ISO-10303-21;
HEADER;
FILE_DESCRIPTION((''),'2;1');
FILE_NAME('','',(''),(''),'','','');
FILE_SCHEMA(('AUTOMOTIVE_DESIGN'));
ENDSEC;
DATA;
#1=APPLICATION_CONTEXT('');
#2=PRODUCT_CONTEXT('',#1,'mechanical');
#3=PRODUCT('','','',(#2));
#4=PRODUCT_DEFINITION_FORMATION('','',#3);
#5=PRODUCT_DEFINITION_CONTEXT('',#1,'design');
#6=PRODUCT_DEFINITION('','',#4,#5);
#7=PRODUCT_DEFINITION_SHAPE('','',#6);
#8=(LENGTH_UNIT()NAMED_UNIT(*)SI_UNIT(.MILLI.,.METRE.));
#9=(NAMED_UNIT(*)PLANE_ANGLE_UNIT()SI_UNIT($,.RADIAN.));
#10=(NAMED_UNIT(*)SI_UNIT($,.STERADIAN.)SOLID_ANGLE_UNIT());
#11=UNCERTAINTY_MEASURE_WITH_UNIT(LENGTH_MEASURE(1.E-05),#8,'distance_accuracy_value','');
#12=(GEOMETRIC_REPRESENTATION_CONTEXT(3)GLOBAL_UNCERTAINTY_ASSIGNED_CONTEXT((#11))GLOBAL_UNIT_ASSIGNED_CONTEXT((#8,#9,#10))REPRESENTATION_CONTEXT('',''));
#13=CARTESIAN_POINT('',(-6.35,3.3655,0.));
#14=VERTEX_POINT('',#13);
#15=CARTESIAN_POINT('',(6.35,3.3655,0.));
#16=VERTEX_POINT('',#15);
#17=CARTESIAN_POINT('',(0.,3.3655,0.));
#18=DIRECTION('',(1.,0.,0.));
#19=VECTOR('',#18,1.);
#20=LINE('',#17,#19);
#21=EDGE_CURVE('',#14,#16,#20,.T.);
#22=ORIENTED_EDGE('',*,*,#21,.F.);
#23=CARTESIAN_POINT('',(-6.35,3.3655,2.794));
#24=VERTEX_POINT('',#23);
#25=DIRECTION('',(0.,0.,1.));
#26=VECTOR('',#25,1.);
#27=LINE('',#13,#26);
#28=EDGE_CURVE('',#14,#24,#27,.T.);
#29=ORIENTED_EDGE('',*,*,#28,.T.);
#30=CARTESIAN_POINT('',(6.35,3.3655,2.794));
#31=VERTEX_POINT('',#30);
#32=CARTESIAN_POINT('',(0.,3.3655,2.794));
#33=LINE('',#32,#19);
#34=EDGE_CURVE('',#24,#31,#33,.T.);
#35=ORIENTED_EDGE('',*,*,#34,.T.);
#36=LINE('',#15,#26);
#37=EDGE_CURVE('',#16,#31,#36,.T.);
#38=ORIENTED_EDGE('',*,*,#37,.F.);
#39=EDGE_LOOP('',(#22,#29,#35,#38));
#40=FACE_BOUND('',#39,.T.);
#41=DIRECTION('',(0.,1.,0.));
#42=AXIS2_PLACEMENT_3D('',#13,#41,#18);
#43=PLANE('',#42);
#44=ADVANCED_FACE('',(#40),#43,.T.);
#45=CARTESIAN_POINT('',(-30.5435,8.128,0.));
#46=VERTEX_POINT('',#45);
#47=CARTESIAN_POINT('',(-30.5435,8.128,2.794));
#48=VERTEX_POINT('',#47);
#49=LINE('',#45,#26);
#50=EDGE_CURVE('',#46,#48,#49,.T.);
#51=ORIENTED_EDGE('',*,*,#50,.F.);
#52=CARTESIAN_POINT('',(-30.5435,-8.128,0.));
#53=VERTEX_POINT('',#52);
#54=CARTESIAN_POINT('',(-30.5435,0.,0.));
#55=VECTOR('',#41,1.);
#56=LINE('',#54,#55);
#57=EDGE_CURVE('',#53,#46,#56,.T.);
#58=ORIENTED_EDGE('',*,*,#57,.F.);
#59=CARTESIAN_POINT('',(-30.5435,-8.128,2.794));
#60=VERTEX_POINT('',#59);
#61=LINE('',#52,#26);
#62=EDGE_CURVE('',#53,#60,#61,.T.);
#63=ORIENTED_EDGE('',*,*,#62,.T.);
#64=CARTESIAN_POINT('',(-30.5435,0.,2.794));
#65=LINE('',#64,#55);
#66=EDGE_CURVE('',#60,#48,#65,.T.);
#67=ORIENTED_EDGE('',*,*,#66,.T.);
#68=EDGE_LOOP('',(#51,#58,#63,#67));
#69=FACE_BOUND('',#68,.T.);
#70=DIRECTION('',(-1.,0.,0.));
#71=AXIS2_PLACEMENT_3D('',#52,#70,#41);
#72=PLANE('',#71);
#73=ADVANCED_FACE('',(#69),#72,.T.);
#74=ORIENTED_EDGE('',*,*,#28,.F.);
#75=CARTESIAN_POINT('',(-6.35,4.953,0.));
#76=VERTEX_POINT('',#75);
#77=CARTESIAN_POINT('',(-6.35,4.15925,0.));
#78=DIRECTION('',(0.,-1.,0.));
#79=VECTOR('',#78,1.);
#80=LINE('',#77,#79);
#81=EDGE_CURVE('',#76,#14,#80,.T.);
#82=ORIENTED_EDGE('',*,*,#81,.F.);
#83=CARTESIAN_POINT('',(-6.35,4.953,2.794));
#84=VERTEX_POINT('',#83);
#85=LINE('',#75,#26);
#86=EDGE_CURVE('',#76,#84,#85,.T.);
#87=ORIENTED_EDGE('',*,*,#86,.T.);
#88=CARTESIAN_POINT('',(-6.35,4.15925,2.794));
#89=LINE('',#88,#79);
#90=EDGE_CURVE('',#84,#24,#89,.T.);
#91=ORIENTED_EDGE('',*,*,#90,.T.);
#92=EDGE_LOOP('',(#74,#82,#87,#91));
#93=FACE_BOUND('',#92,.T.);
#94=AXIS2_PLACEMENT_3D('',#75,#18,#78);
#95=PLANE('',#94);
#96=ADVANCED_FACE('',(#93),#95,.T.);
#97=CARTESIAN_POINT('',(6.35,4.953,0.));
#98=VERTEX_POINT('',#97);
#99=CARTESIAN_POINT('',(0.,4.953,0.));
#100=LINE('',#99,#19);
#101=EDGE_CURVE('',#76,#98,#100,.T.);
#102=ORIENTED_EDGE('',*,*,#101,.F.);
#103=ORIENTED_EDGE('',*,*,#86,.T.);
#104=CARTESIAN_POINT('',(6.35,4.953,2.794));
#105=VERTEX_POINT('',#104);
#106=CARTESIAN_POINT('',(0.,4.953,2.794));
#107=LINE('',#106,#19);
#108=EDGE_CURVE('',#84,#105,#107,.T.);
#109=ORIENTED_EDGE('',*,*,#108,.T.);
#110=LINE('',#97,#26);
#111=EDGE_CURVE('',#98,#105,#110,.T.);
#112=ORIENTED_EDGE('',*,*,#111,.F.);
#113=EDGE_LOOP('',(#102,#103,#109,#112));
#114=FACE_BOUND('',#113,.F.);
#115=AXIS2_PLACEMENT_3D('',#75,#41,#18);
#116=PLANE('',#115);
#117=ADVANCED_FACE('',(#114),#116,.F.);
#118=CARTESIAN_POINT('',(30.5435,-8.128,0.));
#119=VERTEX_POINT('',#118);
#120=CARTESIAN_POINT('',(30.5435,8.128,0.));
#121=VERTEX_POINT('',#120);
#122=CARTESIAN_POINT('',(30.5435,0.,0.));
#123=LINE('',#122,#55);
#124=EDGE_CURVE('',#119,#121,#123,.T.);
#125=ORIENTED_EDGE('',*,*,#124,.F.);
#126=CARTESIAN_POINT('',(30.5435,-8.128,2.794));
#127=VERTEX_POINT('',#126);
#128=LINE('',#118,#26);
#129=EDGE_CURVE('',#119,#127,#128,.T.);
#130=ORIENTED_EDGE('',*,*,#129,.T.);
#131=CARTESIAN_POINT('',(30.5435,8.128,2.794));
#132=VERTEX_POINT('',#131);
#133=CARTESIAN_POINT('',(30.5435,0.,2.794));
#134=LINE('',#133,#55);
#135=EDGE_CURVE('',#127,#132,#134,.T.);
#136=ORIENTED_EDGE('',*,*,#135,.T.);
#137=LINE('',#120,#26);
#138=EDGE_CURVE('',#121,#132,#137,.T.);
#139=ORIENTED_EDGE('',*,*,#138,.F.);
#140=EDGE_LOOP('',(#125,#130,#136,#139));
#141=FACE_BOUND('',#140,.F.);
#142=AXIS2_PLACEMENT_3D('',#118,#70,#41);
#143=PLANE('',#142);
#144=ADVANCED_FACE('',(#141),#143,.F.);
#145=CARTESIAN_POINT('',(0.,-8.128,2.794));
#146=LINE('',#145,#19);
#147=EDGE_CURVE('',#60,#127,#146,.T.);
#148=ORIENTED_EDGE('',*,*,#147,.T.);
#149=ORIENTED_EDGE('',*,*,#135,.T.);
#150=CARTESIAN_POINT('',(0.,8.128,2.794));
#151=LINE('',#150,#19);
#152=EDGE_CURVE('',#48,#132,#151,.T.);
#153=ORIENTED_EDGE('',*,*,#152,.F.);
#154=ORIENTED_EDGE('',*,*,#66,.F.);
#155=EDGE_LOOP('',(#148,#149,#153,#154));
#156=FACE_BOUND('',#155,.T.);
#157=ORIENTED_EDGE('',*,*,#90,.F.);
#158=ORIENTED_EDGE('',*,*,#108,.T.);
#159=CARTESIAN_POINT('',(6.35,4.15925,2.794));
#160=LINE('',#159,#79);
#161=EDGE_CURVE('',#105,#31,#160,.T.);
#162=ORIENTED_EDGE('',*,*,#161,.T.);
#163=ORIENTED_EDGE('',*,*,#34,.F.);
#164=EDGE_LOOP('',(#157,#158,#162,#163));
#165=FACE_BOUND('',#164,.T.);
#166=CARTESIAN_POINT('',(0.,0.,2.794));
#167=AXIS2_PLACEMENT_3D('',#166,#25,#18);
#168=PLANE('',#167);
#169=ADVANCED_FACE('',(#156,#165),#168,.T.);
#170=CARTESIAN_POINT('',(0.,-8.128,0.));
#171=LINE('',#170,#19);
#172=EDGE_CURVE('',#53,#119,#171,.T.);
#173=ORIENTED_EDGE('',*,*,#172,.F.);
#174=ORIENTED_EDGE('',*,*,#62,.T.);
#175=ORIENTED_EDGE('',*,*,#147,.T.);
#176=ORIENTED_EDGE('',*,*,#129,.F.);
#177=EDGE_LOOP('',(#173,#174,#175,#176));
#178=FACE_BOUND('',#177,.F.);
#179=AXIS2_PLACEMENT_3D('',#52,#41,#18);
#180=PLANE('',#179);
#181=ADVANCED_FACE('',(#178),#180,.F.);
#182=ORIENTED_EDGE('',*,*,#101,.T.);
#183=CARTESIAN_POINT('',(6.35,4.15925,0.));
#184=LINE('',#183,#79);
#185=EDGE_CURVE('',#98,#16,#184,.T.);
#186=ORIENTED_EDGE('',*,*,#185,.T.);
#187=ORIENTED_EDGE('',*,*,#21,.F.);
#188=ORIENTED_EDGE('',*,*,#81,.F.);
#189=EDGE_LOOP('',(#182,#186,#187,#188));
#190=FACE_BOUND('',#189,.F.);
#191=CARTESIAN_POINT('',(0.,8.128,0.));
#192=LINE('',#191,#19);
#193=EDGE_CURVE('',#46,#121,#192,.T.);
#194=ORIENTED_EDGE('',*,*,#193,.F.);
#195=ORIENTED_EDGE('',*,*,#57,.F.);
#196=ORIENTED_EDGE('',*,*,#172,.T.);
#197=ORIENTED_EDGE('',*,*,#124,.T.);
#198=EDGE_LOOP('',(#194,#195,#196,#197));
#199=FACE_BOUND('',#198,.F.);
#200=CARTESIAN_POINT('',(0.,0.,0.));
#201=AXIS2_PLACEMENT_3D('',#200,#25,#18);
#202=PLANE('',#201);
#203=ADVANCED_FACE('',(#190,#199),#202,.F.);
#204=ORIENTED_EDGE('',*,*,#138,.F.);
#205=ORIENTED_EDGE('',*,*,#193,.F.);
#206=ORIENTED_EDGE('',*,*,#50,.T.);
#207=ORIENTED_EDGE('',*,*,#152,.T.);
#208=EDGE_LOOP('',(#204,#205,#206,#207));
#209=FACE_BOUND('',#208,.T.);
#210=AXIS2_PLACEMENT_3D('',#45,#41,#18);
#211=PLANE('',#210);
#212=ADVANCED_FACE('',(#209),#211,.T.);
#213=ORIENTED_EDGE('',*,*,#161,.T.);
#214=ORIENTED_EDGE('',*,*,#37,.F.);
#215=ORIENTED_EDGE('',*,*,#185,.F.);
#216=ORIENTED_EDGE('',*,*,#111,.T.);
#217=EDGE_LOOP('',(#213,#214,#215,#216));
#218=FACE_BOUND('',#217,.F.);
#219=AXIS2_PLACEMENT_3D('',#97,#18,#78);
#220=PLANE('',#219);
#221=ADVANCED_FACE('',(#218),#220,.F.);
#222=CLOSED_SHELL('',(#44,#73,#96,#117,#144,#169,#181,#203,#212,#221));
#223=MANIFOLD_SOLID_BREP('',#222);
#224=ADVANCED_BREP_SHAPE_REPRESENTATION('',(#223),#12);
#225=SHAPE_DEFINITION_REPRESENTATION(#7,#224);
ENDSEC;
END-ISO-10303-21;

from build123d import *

# Parameters (mm, degrees)
F0_W     = 61.087
F0_H     = 16.256
F1_DEPTH = 2.794
F2_W     = 12.7
F2_H     = 1.5875
F3_DEPTH = 2.794


with BuildPart() as f1:
    # F0 (on Top) → F1 (new body)
    with BuildSketch(Plane.XY):
        Rectangle(F0_W, F0_H)
    extrude(amount=F1_DEPTH)

    # F2 (on face) → F3 (cut, through all)
    with BuildSketch(Plane(origin=(0, 0, 0), x_dir=(1, 0, 0), z_dir=(0, 0, -1))):
        with Locations((0, -4.15925)):
            Rectangle(F2_W, F2_H)
    extrude(amount=-F3_DEPTH, mode=Mode.SUBTRACT)


solid = f1.part
